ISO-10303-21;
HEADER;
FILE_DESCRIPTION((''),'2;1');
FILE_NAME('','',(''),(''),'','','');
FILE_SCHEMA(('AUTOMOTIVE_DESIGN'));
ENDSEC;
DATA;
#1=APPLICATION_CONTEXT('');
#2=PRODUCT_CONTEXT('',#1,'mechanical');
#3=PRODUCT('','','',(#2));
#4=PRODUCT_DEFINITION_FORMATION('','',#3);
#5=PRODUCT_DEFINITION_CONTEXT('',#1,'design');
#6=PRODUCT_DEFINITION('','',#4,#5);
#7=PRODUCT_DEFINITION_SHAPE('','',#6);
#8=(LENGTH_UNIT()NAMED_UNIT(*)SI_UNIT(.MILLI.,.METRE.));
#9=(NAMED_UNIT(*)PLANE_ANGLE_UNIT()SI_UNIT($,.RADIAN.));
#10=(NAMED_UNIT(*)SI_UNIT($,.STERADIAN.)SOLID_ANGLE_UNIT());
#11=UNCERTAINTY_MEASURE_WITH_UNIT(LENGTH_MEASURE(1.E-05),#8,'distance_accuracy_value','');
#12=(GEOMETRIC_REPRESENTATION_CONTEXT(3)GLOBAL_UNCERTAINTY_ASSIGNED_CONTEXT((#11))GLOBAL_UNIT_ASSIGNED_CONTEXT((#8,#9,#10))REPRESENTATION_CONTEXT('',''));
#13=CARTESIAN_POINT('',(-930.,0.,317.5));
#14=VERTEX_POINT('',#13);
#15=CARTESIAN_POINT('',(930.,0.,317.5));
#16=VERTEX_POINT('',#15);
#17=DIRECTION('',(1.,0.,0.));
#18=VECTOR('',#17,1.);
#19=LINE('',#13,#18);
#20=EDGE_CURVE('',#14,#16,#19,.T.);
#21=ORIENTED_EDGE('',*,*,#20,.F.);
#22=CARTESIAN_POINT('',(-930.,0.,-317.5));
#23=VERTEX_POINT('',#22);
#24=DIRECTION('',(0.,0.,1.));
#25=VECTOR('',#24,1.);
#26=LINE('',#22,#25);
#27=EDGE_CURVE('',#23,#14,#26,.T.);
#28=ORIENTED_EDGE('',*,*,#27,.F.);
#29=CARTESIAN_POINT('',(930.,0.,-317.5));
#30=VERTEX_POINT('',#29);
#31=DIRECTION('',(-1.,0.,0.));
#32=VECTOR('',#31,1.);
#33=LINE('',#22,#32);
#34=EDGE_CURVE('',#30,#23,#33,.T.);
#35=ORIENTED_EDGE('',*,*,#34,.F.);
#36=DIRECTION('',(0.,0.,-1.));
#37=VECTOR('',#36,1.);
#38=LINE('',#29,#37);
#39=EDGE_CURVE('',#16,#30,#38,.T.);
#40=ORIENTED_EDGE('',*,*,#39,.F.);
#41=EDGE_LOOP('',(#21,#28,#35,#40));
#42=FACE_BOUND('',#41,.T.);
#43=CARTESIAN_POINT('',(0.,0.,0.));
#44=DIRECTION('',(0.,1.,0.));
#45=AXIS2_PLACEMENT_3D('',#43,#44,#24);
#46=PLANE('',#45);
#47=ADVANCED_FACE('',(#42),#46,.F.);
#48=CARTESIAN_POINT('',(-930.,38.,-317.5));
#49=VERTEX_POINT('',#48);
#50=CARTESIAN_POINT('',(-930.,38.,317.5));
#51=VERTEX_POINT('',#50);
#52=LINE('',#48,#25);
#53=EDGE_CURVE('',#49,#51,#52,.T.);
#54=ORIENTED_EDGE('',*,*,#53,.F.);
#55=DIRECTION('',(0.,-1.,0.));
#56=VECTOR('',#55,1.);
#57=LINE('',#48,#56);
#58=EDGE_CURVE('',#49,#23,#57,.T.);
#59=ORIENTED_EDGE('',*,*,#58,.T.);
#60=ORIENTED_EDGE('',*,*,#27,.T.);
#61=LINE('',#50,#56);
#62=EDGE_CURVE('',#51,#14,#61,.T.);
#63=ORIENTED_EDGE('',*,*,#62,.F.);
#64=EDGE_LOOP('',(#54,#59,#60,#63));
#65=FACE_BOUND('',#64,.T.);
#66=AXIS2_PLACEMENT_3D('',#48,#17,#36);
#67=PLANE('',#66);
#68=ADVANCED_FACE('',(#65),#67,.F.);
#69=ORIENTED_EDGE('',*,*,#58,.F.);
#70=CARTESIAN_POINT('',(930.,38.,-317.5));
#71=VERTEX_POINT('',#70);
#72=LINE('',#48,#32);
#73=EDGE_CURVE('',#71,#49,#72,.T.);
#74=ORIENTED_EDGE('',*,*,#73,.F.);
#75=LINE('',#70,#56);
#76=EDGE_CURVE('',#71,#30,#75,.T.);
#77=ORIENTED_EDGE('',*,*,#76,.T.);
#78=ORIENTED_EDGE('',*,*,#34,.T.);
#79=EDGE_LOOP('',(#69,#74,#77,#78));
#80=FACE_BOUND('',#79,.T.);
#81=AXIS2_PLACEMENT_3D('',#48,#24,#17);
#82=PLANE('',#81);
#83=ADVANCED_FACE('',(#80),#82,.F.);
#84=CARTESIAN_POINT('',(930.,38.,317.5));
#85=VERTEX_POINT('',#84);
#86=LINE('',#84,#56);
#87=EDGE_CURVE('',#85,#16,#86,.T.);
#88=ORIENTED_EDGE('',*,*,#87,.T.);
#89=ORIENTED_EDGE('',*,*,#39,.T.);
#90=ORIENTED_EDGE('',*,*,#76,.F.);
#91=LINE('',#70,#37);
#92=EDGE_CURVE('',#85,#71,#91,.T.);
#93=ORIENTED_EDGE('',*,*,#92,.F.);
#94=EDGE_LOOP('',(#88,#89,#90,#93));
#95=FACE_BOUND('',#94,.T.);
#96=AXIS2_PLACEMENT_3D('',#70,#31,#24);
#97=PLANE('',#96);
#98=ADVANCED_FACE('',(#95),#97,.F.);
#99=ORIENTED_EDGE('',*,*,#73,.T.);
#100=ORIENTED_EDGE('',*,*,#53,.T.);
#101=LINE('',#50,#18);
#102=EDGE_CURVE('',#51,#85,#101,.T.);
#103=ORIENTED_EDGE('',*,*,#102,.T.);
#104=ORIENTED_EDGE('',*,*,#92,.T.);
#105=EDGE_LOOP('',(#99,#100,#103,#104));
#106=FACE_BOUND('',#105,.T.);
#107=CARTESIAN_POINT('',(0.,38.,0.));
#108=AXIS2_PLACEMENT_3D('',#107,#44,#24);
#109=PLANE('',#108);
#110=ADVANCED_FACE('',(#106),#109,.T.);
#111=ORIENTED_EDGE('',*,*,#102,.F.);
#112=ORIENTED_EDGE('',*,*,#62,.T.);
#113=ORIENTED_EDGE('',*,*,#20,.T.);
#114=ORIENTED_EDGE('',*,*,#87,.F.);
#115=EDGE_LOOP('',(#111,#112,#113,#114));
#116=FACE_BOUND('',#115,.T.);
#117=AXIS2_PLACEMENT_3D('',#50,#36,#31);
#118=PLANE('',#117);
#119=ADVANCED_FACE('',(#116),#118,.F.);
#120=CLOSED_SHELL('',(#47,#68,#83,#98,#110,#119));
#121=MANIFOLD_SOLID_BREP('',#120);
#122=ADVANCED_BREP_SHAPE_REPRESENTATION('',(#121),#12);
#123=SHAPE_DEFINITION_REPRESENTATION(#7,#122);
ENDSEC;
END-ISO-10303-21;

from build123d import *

# Parameters (mm, degrees)
SKETCH1_W           = 1860
SKETCH1_H           = 635
BOSS_EXTRUDE1_DEPTH = 38


with BuildPart() as part:
    # Sketch1 → Boss-Extrude1 (new body)
    with BuildSketch(Plane(origin=(0, 0, 0), x_dir=(1, 0, 0), z_dir=(0, 1, 0))):
        Rectangle(SKETCH1_W, SKETCH1_H)
    extrude(amount=BOSS_EXTRUDE1_DEPTH)


solid = part.part
